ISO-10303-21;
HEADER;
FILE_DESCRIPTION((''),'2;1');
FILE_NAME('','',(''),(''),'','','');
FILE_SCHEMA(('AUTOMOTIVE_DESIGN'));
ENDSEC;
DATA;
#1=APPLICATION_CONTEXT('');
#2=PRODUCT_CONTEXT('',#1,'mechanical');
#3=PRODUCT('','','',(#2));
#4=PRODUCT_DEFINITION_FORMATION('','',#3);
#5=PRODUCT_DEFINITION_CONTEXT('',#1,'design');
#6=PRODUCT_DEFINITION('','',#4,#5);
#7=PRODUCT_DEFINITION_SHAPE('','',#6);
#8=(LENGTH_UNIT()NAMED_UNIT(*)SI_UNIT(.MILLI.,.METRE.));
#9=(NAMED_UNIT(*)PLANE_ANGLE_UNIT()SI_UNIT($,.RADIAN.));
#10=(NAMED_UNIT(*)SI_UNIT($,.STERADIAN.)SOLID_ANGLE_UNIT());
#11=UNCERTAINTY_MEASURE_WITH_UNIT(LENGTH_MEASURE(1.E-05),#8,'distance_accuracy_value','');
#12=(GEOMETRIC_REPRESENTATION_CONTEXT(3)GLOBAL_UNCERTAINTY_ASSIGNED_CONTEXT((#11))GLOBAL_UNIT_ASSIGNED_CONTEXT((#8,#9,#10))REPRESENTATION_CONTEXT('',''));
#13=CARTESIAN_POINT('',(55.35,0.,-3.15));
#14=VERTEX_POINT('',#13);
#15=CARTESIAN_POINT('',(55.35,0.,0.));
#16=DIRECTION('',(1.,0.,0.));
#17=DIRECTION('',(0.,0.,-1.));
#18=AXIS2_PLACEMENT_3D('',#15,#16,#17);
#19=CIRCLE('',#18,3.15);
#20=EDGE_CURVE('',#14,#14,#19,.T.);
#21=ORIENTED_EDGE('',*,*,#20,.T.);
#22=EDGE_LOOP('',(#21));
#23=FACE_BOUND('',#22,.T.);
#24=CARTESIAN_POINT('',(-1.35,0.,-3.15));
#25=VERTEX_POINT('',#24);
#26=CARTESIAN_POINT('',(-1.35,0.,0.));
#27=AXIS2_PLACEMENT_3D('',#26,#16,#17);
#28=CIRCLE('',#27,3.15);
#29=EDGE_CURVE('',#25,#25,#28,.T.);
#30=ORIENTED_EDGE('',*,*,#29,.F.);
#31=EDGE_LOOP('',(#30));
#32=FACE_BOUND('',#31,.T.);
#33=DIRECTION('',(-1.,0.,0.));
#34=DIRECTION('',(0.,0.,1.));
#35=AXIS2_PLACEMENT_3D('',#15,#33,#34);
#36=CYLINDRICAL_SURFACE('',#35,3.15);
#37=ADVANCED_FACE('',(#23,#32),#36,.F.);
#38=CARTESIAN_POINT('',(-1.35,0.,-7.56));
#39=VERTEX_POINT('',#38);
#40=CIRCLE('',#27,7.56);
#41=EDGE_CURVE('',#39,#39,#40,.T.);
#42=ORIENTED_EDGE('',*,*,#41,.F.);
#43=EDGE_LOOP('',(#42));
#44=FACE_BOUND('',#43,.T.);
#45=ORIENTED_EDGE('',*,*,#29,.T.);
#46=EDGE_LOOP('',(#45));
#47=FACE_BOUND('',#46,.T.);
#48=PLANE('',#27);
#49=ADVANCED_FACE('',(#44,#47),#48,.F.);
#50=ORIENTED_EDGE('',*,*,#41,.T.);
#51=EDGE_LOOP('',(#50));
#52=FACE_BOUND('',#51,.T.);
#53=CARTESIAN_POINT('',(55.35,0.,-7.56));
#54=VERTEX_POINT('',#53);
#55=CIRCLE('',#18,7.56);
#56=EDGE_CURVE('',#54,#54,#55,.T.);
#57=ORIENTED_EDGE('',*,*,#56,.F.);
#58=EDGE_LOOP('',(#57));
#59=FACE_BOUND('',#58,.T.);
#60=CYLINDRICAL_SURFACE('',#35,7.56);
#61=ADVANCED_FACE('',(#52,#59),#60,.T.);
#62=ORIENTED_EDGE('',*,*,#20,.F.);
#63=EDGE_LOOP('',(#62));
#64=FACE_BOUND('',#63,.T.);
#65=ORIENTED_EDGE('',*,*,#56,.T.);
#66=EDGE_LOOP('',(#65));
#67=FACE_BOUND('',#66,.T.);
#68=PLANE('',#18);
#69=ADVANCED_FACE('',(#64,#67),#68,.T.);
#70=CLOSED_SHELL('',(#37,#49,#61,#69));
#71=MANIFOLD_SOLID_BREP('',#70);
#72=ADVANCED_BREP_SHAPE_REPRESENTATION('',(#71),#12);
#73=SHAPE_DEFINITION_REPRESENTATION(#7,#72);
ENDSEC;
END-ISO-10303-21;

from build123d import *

# Parameters (mm, degrees)
SKETCH1_R           = 7.2
SKETCH1_R_2         = 3
BOSS_EXTRUDE1_DEPTH = 54
SCALE1_SCALE        = 1.05


with BuildPart() as part:
    # Sketch1 → Boss-Extrude1 (new body)
    with BuildSketch(Plane(origin=(0, 0, 0), x_dir=(0, 0, -1), z_dir=(1, 0, 0))):
        Circle(SKETCH1_R)
        Circle(SKETCH1_R_2, mode=Mode.SUBTRACT)
    extrude(amount=BOSS_EXTRUDE1_DEPTH)


with BuildPart() as part_1:
    # Scale1: scaled about (27, 0, 0)
    add(part.part.scale(SCALE1_SCALE).moved(Location((-1.35, 0, 0))))


solid = part_1.part
